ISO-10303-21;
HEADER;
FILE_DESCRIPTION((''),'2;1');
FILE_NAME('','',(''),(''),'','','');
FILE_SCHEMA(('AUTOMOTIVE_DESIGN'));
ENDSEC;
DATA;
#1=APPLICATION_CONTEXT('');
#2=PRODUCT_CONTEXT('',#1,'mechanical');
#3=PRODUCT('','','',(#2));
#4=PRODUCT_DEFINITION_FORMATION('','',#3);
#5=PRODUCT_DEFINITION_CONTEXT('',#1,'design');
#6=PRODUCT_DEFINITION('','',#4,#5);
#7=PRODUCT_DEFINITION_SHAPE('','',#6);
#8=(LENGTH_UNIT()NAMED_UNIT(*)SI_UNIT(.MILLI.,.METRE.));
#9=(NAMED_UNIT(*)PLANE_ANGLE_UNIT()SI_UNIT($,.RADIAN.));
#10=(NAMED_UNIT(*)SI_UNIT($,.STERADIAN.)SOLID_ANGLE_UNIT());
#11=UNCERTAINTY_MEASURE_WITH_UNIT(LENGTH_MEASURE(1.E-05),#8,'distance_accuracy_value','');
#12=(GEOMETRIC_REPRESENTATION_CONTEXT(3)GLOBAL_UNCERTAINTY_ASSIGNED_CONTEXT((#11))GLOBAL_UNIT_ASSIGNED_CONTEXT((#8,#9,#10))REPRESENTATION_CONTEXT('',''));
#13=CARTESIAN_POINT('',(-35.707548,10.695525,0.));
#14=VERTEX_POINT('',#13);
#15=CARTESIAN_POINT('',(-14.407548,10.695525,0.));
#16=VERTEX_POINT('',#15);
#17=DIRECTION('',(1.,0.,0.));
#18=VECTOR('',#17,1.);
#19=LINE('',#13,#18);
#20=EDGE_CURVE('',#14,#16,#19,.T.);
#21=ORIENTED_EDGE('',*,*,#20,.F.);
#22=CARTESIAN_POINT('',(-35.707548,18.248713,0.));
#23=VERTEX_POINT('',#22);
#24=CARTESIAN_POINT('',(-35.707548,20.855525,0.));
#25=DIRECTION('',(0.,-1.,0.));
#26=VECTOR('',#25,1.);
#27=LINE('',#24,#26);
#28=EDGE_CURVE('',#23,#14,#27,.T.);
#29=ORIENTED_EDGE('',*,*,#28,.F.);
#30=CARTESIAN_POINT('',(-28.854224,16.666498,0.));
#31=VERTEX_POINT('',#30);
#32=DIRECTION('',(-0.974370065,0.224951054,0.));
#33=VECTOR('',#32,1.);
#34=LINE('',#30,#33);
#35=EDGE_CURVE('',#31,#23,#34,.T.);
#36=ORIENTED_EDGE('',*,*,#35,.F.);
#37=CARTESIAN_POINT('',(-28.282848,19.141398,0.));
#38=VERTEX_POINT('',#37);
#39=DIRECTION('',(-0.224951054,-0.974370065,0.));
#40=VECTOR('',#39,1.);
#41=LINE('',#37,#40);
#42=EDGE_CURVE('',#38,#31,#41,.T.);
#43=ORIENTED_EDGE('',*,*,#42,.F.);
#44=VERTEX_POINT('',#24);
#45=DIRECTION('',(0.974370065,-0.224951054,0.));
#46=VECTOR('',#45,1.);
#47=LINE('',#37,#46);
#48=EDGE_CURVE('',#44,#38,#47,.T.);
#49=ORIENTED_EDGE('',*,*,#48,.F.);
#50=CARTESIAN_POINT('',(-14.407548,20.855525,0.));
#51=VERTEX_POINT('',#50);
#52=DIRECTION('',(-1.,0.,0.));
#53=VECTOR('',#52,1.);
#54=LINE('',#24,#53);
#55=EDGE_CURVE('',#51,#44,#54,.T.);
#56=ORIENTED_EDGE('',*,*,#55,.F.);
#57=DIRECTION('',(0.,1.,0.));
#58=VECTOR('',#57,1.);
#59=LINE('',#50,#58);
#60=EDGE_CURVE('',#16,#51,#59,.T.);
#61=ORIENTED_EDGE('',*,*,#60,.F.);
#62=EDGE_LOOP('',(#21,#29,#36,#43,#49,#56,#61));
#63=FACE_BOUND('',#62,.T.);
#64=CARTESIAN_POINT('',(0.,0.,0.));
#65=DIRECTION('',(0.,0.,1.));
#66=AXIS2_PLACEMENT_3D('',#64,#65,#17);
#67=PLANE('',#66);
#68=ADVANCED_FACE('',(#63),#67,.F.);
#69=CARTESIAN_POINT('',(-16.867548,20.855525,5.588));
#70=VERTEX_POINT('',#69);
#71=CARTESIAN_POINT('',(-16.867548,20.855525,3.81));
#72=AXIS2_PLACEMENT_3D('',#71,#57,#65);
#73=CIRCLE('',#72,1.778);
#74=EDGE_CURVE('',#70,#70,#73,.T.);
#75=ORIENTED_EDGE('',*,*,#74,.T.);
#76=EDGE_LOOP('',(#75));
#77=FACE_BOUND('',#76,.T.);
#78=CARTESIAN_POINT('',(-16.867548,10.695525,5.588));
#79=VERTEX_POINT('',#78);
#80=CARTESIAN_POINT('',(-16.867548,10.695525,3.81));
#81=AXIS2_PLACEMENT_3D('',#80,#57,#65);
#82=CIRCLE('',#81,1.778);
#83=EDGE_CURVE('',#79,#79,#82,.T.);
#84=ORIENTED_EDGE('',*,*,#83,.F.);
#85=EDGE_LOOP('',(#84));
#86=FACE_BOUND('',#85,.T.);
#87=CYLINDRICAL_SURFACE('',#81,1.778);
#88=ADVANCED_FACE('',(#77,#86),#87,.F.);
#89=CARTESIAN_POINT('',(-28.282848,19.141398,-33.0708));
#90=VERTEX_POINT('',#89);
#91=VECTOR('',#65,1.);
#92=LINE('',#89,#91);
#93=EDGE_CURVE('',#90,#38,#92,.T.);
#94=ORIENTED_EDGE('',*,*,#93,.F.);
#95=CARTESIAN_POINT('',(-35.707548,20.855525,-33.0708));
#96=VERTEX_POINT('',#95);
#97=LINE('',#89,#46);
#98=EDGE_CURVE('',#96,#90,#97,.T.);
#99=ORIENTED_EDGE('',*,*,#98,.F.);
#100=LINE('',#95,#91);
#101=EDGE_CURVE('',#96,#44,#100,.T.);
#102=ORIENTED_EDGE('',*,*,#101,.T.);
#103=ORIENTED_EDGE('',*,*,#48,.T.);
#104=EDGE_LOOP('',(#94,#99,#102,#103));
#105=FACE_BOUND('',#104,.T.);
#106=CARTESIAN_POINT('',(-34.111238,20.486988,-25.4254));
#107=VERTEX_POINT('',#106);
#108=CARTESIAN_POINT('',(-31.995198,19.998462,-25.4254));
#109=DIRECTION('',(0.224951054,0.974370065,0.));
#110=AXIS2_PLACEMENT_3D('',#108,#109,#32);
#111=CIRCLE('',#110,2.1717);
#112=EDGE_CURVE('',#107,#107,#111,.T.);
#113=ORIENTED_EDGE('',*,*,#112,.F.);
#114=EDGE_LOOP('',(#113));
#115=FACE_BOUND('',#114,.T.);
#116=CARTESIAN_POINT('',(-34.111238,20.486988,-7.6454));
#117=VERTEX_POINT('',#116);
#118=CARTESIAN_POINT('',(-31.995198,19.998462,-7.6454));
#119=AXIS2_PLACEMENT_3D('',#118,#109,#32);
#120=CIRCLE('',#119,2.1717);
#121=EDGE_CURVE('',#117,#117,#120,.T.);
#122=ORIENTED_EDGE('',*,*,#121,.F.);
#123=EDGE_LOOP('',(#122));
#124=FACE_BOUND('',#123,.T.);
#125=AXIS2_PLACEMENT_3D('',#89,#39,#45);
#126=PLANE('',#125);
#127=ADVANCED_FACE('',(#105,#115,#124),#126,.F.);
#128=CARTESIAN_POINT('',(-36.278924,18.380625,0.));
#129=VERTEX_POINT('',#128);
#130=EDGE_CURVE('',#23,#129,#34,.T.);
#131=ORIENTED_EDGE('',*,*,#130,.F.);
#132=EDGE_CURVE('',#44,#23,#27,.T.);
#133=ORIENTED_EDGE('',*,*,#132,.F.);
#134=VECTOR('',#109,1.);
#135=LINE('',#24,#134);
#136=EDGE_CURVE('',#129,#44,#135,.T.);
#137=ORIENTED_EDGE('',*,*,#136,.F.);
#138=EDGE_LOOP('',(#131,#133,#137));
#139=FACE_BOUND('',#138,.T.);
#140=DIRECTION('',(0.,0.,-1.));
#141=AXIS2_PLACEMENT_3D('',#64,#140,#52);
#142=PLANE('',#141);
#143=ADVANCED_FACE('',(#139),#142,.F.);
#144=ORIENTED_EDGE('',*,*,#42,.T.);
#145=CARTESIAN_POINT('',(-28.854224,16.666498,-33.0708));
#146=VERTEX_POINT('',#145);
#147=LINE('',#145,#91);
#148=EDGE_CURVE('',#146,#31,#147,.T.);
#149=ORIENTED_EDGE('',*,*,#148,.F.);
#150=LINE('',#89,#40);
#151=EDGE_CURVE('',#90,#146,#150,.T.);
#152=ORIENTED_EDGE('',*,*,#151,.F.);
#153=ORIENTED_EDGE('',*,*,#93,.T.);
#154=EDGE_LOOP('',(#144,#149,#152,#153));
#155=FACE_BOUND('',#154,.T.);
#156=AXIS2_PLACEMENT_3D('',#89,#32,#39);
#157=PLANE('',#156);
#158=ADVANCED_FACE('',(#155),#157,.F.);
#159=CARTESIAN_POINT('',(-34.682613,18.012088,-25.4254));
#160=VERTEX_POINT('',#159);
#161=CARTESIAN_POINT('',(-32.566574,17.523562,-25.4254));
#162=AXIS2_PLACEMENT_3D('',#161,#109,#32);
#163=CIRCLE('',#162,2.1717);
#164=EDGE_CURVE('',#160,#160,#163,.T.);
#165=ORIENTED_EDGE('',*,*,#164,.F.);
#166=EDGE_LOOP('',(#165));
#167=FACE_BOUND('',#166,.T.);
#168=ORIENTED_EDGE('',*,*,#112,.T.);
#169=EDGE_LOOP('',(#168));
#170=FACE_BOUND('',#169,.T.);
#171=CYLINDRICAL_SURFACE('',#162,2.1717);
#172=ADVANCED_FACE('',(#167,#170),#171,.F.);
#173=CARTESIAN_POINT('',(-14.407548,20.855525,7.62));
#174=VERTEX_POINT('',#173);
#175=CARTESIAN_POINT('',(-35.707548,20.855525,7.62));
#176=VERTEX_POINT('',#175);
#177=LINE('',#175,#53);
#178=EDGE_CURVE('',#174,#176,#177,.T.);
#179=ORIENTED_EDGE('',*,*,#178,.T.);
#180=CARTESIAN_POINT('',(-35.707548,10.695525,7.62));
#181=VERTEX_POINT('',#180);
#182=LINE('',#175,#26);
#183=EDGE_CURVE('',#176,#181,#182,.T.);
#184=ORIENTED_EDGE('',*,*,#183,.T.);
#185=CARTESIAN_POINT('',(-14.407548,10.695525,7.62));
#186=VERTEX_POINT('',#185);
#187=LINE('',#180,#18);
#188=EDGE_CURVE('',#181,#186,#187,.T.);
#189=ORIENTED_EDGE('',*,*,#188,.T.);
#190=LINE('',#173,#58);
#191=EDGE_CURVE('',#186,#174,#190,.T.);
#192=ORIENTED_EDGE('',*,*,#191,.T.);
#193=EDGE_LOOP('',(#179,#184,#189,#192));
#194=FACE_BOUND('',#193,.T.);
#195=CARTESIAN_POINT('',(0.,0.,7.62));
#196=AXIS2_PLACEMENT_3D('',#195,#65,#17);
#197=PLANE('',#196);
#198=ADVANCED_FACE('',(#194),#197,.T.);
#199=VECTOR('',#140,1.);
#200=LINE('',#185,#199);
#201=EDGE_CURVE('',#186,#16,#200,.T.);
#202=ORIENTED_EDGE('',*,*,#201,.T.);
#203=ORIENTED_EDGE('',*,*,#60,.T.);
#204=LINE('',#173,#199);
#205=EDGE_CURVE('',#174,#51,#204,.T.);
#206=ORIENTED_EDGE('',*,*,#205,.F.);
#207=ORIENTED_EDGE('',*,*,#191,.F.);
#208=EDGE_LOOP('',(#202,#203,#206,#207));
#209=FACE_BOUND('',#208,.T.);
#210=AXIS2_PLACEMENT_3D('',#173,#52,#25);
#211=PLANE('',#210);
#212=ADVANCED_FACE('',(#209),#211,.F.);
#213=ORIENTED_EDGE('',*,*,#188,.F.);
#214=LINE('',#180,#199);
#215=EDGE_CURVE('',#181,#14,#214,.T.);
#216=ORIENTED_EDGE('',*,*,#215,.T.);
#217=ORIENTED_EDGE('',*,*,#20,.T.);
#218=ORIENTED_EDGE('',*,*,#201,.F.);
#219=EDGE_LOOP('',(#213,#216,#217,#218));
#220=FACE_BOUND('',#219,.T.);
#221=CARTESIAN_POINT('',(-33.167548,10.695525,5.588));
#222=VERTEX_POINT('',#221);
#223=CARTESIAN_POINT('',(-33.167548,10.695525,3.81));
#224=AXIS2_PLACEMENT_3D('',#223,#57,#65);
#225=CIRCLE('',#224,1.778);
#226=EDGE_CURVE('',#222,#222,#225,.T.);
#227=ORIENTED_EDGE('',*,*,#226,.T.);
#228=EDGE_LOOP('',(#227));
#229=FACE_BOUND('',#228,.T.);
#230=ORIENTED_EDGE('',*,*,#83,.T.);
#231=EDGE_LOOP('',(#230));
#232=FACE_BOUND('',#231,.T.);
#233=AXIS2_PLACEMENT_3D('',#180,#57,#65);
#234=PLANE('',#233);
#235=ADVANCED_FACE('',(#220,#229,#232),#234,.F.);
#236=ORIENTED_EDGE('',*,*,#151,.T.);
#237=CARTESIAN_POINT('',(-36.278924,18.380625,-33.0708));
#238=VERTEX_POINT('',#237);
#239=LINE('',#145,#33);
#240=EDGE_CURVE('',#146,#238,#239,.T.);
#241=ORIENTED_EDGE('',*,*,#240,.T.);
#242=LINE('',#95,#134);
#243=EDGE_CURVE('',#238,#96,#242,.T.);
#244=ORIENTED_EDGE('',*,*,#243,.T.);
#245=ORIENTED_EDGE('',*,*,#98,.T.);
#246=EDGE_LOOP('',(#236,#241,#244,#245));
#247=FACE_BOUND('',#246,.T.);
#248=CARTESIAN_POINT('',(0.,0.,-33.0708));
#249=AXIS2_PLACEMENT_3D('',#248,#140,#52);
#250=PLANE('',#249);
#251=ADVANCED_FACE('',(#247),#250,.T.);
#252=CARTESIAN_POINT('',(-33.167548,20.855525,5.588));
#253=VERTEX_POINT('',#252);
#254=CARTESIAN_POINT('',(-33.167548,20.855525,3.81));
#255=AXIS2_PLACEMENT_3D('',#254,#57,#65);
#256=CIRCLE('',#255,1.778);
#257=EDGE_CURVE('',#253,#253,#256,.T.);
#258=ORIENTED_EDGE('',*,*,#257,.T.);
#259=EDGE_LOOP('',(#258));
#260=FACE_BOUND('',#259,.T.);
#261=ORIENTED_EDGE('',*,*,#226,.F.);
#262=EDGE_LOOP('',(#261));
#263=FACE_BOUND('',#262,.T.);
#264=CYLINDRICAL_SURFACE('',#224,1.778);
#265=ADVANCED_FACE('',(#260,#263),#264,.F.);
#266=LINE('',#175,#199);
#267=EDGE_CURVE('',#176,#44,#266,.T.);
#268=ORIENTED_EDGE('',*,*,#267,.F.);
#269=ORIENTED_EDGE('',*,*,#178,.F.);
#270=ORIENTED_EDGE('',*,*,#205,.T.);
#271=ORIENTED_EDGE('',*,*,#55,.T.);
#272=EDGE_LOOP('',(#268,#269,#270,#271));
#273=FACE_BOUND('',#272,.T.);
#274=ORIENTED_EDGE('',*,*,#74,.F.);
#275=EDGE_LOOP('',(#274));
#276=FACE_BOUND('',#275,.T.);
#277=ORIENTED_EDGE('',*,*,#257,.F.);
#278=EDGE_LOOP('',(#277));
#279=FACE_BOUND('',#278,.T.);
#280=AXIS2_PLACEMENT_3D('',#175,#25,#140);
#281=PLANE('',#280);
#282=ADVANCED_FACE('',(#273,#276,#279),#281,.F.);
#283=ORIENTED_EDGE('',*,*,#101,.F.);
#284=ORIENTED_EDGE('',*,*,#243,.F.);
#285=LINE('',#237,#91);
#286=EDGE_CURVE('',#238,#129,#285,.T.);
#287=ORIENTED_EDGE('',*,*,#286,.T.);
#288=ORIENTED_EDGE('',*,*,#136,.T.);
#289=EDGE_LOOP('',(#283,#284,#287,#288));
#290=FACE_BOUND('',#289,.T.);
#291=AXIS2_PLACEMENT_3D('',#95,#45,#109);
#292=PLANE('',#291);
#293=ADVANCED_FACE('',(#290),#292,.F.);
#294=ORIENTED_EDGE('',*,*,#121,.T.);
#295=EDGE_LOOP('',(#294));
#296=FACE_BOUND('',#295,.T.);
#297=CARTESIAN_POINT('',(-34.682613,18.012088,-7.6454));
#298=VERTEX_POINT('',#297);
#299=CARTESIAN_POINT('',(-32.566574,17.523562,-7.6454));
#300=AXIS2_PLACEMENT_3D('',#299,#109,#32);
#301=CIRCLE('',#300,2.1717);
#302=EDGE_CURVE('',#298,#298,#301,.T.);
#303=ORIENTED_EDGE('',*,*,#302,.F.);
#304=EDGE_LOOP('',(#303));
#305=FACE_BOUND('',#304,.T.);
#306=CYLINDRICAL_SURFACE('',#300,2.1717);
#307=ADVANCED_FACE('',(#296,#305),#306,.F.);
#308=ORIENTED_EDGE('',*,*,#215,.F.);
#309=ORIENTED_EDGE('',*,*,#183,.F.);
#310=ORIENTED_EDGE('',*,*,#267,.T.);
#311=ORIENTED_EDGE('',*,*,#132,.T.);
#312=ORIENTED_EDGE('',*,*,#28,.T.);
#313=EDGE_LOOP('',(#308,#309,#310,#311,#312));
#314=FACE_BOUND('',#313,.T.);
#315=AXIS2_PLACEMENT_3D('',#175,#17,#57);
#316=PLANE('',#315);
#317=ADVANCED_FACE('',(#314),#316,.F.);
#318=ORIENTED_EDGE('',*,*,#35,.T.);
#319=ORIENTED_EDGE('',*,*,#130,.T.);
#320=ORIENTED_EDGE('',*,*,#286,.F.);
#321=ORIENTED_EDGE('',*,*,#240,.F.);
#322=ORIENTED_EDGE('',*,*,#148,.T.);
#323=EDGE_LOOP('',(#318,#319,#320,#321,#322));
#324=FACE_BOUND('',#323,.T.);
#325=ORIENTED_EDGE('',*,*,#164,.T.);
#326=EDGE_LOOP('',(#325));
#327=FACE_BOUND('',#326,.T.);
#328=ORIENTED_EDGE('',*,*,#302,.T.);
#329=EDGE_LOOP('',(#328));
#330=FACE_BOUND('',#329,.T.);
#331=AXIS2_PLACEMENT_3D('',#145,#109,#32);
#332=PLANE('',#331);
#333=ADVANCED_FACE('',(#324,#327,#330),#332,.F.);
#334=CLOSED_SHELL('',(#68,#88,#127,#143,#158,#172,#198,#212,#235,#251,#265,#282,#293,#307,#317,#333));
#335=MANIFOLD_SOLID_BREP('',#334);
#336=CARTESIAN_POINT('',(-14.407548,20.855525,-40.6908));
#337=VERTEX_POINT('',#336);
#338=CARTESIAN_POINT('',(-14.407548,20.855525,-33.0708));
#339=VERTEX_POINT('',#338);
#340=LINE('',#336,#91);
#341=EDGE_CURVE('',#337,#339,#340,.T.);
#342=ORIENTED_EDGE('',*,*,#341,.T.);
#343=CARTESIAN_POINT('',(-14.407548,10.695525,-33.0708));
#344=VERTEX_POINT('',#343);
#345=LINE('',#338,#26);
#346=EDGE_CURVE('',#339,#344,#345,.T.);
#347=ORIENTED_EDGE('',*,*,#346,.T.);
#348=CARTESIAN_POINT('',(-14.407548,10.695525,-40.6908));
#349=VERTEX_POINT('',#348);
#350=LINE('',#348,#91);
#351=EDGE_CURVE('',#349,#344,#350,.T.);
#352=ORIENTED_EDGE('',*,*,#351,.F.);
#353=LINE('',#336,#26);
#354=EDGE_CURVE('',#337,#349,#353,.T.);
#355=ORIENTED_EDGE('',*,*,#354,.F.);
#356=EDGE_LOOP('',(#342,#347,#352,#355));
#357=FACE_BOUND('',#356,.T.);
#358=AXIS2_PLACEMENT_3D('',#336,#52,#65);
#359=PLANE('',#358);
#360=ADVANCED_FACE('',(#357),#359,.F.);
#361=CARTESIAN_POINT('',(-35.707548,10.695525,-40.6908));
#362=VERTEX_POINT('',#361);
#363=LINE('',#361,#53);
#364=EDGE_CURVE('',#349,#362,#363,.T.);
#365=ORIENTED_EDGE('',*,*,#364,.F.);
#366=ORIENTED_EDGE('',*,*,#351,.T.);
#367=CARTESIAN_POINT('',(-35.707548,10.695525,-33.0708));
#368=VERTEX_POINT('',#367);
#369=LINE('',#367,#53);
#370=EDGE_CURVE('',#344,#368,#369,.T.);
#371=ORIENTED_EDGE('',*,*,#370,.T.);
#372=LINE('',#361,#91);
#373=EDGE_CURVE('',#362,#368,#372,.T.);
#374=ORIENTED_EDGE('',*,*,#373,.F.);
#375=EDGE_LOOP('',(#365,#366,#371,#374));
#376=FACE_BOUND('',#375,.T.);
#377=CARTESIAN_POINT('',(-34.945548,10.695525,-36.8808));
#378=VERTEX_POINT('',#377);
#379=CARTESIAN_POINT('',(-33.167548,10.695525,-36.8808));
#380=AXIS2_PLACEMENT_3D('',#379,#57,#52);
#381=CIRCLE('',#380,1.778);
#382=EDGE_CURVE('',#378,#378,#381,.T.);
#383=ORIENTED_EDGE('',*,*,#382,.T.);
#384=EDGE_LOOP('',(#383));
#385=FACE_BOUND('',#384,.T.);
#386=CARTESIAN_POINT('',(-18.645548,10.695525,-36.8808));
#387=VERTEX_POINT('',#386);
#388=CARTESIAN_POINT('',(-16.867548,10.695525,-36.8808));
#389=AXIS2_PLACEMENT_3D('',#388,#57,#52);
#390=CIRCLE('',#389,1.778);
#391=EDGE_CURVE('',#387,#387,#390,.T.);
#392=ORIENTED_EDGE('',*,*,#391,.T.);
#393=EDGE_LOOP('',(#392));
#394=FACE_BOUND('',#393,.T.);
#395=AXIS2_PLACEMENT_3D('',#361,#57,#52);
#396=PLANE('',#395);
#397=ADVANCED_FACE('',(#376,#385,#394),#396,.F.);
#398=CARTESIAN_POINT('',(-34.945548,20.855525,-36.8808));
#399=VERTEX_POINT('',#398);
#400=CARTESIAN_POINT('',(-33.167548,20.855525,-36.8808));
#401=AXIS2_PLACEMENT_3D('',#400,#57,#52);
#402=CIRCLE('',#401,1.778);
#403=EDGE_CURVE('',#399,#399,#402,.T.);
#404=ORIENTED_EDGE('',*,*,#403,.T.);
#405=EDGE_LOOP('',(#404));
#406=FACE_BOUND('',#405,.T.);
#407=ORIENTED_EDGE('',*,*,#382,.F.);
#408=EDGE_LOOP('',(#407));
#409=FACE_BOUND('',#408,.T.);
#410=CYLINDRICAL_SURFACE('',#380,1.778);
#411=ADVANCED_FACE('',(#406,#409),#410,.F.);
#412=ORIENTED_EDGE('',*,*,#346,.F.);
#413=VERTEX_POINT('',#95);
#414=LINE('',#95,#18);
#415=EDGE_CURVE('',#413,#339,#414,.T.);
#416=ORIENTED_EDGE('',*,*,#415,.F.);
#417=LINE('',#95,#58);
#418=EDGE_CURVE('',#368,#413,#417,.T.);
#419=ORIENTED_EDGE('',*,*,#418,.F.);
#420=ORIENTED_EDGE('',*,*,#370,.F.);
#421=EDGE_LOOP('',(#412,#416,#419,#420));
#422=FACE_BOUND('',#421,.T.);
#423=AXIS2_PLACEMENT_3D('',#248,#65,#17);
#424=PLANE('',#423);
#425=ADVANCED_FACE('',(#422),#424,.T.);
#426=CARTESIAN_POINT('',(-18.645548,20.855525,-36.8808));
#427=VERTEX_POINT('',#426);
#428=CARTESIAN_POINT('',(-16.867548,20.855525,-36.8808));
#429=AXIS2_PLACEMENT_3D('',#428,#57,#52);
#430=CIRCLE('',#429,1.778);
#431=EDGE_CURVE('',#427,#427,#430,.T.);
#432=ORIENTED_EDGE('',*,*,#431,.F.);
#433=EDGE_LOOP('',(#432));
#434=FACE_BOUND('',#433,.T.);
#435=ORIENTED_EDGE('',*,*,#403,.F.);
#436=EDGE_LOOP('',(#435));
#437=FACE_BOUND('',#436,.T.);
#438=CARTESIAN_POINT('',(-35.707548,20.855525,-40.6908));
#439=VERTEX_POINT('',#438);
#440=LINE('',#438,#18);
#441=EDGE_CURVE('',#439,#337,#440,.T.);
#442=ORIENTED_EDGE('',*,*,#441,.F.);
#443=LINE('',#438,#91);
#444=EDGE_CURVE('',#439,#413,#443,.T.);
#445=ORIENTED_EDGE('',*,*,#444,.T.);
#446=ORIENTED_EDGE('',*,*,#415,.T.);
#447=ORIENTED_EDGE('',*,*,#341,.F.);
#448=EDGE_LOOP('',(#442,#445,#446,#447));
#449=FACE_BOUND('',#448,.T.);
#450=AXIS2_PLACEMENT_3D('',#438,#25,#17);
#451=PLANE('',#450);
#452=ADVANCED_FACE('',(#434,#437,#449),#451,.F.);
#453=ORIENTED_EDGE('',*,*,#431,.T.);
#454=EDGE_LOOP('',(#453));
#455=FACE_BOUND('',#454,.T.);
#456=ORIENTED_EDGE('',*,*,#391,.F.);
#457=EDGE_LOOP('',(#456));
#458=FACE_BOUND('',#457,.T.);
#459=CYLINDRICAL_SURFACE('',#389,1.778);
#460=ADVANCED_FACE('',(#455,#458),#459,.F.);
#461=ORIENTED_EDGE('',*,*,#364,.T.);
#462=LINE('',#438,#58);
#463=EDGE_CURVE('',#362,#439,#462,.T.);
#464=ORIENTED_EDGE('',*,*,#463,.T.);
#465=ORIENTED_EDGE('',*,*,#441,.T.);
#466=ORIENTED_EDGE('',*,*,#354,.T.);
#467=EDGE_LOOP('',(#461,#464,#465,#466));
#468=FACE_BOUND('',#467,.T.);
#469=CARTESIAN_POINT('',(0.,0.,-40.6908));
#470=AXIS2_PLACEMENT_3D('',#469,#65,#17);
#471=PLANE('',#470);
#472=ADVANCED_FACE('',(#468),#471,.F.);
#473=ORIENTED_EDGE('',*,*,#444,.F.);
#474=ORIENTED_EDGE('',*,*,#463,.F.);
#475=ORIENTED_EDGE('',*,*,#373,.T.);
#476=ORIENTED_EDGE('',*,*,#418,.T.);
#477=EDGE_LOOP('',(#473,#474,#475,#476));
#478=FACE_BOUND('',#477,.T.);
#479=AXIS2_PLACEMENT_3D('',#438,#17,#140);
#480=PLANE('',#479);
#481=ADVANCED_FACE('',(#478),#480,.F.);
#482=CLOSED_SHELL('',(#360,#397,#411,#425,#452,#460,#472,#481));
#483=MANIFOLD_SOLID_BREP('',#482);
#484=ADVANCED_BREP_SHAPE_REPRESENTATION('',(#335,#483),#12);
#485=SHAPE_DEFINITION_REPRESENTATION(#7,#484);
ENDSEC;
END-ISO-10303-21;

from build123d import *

# Parameters (mm, degrees)
SKETCH1_W           = 21.30000058
SKETCH1_H           = 10.16
BOSS_EXTRUDE1_DEPTH = 7.62
BOSS_EXTRUDE2_DEPTH = 33.0708
SKETCH4_W           = 21.30000058
SKETCH4_H           = 10.16
BOSS_EXTRUDE4_DEPTH = 7.62
SKETCH5_R           = 1.778
CUT_EXTRUDE1_DEPTH  = 10.16
SKETCH6_R           = 1.778
CUT_EXTRUDE2_DEPTH  = 10.16
SKETCH7_R           = 2.1717
CUT_EXTRUDE3_DEPTH  = 2.54


with BuildPart() as part:
    # Sketch1 → Boss-Extrude1 (new body)
    with BuildSketch(Plane.XY):
        with Locations((-25.057547882, 15.775525439)):
            Rectangle(SKETCH1_W, SKETCH1_H)
    extrude(amount=BOSS_EXTRUDE1_DEPTH)

    # Sketch2 → Boss-Extrude2 (add)
    with BuildSketch(Plane(origin=(0, 0, 0), x_dir=(-1, 0, 0), z_dir=(0, 0, -1))):
        Polygon((28.282848278, 19.141398405), (35.707548172, 20.855525439), (36.27892385, 18.380625474), (28.854223956, 16.66649844), align=None)
    extrude(amount=BOSS_EXTRUDE2_DEPTH)

    # Sketch5 → Cut-Extrude1 (cut)
    with BuildSketch(Plane(origin=(0, 20.855525439, 0), x_dir=(1, 0, 0), z_dir=(0, 1, 0))):
        with Locations(Location((-33.167548172, -3.81, 0), (0, 0, 270))):
            Circle(SKETCH5_R)
        with Locations(Location((-16.867547752, -3.81, 0), (0, 0, 270))):
            Circle(SKETCH5_R)
    extrude(amount=-CUT_EXTRUDE1_DEPTH, mode=Mode.SUBTRACT)

    # Sketch7 → Cut-Extrude3 (cut)
    with BuildSketch(Plane(origin=(2.764322068, 11.973594347, 0), x_dir=(0.9743700647852351, -0.2249510543438655, 0), z_dir=(0.2249510543438655, 0.9743700647852351, 0))):
        with Locations(Location((-35.673838462, 7.6454, 0), (0, 0, 180))):
            Circle(SKETCH7_R)
        with Locations(Location((-35.673838462, 25.4254, 0), (0, 0, 180))):
            Circle(SKETCH7_R)
    extrude(amount=-CUT_EXTRUDE3_DEPTH, mode=Mode.SUBTRACT)


with BuildPart() as body_2:
    # Sketch4 → Boss-Extrude4 (new body)
    with BuildSketch(Plane(origin=(0, 0, -33.0708), x_dir=(-1, 0, 0), z_dir=(0, 0, -1))):
        with Locations((25.057547882, 15.775525439)):
            Rectangle(SKETCH4_W, SKETCH4_H)
    extrude(amount=BOSS_EXTRUDE4_DEPTH)

    # Sketch6 → Cut-Extrude2 (cut)
    with BuildSketch(Plane(origin=(0, 20.855525439, 0), x_dir=(1, 0, 0), z_dir=(0, 1, 0))):
        with Locations(Location((-33.167548172, 36.8808, 0), (0, 0, 180))):
            Circle(SKETCH6_R)
        with Locations(Location((-16.867547752, 36.8808, 0), (0, 0, 180))):
            Circle(SKETCH6_R)
    extrude(amount=-CUT_EXTRUDE2_DEPTH, mode=Mode.SUBTRACT)


solid = Compound([part.part, body_2.part])
